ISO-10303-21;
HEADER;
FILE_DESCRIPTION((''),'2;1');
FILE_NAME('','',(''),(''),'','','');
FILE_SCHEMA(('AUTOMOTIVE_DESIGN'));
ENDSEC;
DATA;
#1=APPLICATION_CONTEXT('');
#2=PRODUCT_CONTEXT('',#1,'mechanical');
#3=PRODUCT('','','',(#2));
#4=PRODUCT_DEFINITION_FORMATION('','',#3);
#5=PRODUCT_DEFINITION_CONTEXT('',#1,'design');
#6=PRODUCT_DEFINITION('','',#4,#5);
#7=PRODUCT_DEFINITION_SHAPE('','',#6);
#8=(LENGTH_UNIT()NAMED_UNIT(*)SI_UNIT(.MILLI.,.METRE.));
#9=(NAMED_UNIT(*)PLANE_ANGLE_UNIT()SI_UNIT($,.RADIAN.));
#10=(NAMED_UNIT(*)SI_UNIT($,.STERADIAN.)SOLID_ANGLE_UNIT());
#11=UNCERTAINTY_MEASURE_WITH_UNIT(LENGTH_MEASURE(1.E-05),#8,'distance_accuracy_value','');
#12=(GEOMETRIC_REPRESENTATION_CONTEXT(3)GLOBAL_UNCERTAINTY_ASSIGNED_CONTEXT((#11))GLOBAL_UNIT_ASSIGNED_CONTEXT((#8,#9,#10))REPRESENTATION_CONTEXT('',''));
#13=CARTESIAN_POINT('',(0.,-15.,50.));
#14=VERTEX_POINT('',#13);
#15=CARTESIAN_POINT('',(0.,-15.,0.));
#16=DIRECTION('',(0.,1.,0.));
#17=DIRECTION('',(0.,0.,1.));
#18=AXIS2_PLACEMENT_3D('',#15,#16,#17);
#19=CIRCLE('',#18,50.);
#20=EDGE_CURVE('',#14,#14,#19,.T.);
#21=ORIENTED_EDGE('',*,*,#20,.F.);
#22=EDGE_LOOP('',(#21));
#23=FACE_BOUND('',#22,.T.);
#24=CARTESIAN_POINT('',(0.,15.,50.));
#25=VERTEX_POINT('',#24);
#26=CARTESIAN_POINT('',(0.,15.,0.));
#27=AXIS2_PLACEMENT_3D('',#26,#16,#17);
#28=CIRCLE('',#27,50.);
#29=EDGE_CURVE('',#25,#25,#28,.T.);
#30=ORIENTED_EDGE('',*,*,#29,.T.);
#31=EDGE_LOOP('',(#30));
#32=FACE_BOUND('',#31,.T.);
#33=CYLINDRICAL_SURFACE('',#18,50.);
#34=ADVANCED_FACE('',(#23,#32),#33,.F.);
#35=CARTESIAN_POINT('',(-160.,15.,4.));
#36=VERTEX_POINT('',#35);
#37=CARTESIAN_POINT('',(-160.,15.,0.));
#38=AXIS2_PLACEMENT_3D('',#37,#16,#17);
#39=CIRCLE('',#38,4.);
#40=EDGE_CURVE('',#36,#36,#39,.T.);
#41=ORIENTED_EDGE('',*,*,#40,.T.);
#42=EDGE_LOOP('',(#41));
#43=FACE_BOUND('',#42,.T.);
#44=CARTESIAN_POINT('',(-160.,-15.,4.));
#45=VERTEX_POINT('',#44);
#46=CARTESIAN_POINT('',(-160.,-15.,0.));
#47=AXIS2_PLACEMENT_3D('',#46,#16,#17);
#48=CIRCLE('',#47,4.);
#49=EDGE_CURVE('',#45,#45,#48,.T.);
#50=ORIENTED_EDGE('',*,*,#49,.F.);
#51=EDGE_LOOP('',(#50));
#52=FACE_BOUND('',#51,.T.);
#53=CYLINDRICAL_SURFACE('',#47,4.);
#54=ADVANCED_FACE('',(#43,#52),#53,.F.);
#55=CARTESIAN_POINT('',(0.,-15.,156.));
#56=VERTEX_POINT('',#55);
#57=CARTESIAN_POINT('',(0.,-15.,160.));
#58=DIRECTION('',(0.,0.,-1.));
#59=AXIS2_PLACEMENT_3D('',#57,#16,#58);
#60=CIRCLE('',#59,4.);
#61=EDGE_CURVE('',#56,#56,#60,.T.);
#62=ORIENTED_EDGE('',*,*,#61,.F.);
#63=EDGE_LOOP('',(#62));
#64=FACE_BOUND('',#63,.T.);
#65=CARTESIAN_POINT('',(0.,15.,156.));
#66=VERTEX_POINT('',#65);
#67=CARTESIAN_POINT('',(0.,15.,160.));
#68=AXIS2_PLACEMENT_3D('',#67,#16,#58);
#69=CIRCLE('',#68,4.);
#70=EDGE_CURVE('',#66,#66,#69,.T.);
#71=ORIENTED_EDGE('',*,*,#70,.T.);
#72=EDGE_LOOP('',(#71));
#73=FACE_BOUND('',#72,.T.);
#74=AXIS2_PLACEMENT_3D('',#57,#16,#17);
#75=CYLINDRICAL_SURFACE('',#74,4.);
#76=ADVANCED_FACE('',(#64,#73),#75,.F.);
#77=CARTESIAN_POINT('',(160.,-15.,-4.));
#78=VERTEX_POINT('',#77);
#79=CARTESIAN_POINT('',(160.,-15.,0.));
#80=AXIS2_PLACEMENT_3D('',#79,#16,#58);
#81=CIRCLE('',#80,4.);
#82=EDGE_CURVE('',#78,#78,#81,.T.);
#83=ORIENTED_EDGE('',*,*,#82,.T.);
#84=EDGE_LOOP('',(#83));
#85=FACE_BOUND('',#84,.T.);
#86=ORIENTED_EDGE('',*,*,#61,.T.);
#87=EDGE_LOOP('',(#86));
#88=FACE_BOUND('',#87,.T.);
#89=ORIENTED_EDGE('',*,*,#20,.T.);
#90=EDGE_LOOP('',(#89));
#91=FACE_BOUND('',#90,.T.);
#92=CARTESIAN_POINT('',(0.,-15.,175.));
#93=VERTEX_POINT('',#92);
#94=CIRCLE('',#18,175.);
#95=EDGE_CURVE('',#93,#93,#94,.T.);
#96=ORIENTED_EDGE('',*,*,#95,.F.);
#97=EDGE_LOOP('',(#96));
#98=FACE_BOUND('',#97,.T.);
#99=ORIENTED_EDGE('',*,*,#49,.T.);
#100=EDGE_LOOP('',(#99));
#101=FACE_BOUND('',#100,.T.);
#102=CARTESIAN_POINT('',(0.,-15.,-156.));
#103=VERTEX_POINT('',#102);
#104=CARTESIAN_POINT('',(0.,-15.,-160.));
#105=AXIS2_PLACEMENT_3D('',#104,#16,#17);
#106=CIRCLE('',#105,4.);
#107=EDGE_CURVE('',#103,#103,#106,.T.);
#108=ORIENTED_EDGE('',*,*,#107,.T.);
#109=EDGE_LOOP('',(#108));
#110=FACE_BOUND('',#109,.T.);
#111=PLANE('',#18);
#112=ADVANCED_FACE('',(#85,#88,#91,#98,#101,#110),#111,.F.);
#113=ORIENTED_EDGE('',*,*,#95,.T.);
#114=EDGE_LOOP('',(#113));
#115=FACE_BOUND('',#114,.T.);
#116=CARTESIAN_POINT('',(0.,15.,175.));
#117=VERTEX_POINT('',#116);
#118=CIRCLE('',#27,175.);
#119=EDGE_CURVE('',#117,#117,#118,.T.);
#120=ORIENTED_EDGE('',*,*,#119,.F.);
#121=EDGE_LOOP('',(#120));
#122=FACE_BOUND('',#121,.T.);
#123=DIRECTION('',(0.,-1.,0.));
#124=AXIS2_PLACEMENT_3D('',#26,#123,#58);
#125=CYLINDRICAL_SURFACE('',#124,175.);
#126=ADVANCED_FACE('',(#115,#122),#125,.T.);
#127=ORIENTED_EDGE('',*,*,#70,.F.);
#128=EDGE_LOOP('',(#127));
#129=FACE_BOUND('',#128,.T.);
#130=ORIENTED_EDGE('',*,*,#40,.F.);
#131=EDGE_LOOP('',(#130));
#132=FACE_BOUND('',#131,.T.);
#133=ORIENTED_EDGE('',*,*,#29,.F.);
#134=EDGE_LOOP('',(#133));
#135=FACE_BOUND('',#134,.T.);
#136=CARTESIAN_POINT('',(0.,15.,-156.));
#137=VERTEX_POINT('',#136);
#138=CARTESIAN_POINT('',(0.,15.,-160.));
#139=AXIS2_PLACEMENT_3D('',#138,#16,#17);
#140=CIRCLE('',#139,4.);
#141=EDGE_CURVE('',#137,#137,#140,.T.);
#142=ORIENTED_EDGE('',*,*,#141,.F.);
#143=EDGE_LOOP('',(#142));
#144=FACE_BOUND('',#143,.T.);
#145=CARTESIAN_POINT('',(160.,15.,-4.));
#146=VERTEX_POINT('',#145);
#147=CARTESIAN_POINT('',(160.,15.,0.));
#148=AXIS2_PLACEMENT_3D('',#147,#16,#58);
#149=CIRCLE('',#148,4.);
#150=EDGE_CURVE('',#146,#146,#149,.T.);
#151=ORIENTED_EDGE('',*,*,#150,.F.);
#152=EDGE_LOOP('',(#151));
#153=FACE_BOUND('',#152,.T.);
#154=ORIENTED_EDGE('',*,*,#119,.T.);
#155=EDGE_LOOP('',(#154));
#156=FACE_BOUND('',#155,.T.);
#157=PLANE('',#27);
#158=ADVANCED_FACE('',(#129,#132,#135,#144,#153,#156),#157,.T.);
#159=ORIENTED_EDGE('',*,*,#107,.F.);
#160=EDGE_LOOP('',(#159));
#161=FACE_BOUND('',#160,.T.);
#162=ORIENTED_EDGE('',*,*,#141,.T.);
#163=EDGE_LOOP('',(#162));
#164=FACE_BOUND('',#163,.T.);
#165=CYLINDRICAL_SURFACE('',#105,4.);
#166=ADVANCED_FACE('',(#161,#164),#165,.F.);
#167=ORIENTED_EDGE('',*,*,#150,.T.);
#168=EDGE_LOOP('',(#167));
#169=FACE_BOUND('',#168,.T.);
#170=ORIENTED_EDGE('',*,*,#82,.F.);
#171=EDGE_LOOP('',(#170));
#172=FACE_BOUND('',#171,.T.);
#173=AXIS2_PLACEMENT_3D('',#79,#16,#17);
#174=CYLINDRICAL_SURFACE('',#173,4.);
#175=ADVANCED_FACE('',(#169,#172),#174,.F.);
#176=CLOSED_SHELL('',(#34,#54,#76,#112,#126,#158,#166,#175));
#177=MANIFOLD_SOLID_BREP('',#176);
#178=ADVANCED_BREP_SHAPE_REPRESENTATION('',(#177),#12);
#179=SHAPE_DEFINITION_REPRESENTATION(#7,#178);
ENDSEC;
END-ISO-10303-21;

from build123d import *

# Parameters (mm, degrees)
SKETCH2_R           = 175
BOSS_EXTRUDE1_DEPTH = 15
SKETCH3_R           = 4
SKETCH3_R_2         = 50
CUT_EXTRUDE1_DEPTH  = 30


with BuildPart() as part:
    # Sketch2 → Boss-Extrude1 (new, symmetric)
    with BuildSketch(Plane(origin=(0, 0, 0), x_dir=(1, 0, 0), z_dir=(0, 1, 0))):
        with Locations(Location((0, 0, 0), (0, 0, 270))):
            Circle(SKETCH2_R)
    extrude(amount=BOSS_EXTRUDE1_DEPTH, both=True)

    # Sketch3 → Cut-Extrude1 (cut)
    with BuildSketch(Plane(origin=(0, 15, 0), x_dir=(1, 0, 0), z_dir=(0, 1, 0))):
        with Locations(Location((0, 160, 0), (0, 0, 270))):
            Circle(SKETCH3_R)
        with Locations(Location((0, -160, 0), (0, 0, 90))):
            Circle(SKETCH3_R)
        with Locations(Location((-160, 0, 0), (0, 0, 270))):
            Circle(SKETCH3_R)
        with Locations(Location((160, 0, 0), (0, 0, 90))):
            Circle(SKETCH3_R)
        with Locations(Location((0, 0, 0), (0, 0, 270))):
            Circle(SKETCH3_R_2)
    extrude(amount=-CUT_EXTRUDE1_DEPTH, mode=Mode.SUBTRACT)


solid = part.part
